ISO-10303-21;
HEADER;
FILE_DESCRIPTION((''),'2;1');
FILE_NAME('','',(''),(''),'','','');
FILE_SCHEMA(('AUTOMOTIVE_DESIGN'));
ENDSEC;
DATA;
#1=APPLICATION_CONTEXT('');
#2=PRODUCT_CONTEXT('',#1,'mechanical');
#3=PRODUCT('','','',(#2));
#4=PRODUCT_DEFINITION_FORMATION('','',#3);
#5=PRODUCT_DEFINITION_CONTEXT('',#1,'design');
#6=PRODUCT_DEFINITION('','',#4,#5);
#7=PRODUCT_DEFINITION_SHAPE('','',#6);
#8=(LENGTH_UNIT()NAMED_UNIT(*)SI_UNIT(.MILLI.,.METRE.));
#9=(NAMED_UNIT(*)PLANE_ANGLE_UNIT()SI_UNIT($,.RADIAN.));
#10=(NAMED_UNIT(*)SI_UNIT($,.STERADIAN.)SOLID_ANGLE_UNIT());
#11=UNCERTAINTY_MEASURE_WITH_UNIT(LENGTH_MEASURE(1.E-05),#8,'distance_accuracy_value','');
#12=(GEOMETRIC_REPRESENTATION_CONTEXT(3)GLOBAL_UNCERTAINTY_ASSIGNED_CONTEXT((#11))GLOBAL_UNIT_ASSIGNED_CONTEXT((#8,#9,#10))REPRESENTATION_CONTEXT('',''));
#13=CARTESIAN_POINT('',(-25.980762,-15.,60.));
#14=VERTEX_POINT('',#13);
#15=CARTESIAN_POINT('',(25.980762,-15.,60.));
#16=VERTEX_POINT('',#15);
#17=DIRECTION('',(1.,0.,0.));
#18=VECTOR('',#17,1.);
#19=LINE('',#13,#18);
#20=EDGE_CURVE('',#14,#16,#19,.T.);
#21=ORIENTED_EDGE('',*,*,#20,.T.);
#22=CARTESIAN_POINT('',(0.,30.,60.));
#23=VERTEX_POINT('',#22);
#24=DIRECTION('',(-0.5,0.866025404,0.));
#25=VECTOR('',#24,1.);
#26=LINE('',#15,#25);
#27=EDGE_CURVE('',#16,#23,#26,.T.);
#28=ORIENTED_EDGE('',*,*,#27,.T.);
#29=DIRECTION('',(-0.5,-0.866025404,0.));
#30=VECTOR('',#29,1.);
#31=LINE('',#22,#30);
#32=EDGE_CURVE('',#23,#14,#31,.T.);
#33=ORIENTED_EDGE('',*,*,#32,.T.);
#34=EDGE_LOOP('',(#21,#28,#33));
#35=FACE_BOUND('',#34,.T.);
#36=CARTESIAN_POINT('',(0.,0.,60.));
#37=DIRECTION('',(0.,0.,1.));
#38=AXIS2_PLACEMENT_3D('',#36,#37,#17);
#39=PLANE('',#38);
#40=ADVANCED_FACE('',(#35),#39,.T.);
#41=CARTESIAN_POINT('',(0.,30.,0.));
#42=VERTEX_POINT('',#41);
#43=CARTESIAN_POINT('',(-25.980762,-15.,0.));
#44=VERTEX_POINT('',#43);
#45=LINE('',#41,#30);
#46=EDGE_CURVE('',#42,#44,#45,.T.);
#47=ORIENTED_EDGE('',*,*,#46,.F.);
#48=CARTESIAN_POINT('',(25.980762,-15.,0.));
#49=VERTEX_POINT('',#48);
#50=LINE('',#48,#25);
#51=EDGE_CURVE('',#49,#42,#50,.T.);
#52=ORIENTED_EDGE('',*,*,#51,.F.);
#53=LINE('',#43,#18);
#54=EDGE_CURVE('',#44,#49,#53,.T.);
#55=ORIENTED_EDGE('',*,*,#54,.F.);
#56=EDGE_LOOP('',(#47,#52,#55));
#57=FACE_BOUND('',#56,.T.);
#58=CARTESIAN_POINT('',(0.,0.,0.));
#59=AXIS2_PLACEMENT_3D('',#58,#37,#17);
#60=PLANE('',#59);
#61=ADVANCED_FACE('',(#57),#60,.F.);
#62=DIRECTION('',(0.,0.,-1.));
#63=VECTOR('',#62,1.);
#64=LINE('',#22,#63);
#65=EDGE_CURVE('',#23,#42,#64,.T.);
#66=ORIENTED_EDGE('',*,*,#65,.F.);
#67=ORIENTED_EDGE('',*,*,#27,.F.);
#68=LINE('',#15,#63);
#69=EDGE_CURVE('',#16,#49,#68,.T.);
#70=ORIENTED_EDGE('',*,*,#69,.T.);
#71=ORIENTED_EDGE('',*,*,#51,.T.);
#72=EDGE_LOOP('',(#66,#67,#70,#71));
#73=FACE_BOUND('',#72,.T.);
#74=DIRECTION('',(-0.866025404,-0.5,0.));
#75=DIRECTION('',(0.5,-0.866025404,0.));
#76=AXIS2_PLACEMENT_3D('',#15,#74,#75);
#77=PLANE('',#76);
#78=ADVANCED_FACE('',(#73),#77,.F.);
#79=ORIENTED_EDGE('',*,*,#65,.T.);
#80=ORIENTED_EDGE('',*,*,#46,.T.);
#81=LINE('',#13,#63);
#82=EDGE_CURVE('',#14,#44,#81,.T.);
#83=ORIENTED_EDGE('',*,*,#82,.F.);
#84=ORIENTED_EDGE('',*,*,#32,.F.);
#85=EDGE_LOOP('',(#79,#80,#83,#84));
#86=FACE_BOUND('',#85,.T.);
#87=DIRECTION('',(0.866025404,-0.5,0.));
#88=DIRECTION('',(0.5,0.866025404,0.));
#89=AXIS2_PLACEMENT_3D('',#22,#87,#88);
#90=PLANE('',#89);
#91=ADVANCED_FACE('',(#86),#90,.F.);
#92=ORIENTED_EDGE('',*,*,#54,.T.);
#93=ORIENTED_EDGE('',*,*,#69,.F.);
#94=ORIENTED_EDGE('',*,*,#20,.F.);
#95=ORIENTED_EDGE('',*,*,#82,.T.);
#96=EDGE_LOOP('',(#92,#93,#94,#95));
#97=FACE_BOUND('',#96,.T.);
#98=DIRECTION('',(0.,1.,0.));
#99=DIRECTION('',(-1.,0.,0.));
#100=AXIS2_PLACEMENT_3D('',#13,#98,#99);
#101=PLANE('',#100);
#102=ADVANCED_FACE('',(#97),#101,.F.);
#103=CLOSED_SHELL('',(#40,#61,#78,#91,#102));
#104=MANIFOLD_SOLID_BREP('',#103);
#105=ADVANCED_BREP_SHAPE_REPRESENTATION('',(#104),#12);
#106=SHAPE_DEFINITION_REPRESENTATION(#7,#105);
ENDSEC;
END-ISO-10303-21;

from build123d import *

# Parameters (mm, degrees)
PRISM_DEPTH = 60


with BuildPart() as part:
    # Sketch1 → Prism (new body)
    with BuildSketch(Plane.XY):
        Polygon((0, 30), (-25.980762114, -15), (25.980762114, -15), align=None)
    extrude(amount=PRISM_DEPTH)


solid = part.part
